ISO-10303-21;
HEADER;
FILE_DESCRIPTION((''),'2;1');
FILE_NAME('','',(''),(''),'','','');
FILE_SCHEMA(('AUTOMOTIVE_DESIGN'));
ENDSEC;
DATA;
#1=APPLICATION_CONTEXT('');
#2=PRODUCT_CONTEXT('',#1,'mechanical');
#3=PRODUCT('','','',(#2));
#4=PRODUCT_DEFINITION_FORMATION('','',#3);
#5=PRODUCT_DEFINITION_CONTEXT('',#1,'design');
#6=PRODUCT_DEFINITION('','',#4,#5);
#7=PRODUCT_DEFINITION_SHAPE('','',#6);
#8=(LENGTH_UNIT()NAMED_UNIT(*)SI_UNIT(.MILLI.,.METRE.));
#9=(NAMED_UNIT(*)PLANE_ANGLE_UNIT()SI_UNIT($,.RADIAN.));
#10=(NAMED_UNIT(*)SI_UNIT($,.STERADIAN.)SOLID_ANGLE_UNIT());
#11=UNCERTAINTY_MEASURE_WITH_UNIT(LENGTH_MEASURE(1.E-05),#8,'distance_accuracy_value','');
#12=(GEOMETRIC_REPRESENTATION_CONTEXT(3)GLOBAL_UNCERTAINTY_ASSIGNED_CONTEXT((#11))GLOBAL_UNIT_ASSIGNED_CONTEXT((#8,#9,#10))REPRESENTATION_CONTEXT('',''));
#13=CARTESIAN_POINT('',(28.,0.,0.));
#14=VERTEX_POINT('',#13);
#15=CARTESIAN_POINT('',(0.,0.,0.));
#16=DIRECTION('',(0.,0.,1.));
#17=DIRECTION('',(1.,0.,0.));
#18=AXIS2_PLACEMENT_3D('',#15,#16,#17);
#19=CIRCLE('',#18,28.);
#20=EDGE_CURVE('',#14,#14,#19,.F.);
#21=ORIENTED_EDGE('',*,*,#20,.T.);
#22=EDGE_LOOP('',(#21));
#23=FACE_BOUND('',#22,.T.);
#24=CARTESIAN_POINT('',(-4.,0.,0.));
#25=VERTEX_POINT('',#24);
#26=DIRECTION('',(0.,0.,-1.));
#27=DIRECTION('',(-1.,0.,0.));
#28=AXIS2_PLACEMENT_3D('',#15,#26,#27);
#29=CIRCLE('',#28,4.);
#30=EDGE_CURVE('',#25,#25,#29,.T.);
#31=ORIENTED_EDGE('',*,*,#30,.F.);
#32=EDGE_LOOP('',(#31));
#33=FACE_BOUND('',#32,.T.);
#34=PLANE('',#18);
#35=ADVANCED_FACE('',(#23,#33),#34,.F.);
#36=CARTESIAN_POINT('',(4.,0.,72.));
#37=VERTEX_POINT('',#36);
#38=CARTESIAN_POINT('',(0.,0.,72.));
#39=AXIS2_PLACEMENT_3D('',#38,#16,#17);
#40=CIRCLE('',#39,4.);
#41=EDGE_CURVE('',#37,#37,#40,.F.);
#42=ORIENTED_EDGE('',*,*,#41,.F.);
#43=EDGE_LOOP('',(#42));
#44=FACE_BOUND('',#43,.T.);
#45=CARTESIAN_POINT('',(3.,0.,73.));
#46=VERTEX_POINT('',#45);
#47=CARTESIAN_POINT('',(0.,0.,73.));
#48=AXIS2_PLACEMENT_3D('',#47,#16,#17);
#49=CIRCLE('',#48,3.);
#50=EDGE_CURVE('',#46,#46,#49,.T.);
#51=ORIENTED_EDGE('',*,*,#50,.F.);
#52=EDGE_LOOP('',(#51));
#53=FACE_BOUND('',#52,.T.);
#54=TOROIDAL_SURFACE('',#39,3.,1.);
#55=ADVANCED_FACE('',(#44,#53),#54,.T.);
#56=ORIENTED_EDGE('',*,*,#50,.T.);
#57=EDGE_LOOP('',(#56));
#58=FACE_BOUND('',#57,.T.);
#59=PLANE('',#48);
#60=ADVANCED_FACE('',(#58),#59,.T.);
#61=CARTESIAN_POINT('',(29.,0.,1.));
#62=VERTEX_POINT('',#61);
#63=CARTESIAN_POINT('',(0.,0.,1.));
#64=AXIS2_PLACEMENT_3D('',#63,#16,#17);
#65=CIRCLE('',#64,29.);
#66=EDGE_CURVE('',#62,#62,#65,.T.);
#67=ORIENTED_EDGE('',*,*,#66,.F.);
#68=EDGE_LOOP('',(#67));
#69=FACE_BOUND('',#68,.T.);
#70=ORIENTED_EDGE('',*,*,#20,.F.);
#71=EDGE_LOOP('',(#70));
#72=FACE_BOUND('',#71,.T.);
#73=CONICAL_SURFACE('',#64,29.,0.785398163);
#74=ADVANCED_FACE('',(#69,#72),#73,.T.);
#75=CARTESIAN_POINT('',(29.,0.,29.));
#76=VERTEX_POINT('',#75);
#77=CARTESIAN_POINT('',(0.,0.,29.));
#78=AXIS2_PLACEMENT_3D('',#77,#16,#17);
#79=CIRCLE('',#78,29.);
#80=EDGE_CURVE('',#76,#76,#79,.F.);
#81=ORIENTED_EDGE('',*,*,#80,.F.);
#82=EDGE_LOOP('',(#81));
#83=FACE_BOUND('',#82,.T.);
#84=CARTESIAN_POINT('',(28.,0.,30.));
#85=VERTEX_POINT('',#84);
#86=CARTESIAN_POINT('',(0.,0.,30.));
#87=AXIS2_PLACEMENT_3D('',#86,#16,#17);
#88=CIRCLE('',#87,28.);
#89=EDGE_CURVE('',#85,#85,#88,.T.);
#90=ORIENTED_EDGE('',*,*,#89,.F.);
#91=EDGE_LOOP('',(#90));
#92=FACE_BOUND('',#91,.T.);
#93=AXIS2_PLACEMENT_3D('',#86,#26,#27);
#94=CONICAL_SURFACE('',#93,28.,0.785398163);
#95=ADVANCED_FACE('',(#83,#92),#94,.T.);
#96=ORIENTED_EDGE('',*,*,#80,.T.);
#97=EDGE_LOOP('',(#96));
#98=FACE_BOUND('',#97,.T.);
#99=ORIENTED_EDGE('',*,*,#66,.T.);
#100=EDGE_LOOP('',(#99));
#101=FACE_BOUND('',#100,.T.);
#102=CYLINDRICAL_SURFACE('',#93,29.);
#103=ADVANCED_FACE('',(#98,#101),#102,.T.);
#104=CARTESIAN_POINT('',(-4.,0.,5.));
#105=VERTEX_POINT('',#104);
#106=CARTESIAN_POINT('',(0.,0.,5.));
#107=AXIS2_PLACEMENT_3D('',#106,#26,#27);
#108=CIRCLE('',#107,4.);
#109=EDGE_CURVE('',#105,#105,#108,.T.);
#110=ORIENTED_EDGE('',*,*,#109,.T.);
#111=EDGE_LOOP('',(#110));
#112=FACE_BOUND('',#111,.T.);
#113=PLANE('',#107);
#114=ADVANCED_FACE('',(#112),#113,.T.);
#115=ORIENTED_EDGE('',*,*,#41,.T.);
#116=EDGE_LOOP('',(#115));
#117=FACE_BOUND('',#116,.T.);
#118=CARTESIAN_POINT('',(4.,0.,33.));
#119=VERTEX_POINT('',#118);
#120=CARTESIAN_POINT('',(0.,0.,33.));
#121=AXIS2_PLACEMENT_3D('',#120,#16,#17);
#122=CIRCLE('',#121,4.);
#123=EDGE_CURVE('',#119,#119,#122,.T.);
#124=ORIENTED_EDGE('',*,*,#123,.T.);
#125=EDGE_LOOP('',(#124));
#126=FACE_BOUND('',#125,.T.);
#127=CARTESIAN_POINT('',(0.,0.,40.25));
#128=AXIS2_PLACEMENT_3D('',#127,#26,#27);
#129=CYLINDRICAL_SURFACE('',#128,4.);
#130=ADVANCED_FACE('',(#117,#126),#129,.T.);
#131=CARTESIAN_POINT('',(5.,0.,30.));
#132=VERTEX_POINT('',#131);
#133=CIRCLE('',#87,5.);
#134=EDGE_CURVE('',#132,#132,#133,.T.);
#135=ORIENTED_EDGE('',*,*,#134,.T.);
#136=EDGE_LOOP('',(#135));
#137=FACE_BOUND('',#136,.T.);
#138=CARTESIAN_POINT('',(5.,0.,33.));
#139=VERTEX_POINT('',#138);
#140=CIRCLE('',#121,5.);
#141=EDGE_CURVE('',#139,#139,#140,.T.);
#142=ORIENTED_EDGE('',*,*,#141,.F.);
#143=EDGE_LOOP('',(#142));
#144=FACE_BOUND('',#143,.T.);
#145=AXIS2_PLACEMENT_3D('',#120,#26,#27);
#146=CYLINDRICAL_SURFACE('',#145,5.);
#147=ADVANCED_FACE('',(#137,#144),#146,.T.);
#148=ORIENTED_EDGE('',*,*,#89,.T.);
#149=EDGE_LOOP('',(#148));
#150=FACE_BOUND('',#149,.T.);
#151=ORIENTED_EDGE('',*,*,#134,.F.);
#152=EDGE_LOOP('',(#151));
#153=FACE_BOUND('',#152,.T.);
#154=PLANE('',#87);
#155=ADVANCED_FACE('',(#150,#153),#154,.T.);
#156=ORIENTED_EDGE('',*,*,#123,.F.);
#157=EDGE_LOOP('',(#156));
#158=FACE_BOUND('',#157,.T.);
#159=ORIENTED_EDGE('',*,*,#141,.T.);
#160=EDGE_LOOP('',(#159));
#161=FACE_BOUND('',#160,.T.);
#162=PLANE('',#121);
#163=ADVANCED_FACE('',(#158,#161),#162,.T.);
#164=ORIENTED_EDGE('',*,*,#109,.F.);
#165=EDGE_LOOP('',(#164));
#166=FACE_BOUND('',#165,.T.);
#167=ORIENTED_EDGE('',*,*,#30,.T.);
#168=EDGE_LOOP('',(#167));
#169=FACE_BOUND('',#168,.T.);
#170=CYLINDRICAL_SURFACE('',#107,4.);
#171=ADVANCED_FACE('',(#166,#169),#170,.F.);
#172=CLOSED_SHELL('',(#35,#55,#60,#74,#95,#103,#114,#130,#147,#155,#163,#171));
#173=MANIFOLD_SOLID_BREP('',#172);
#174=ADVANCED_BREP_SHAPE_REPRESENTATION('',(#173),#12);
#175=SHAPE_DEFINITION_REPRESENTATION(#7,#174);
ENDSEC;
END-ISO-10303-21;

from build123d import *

# Parameters (mm, degrees)
ESQUISSE1_R             = 29
BOSS_EXTRU_1_DEPTH      = 30
ESQUISSE2_R             = 4
BOSS_EXTRU_2_DEPTH      = 10.25
ESQUISSE3_R             = 5
BOSS_EXTRU_3_DEPTH      = 3
ESQUISSE4_R             = 4
ENL_V_MAT_EXTRU_1_DEPTH = 5
CHANFREIN1_SIZE         = 1
ESQUISSE8_R             = 4
BOSS_EXTRU_4_DEPTH      = 32.75
CONG_1_R                = 1


with BuildPart() as part:
    # Esquisse1 → Boss.-Extru.1 (new body)
    with BuildSketch(Plane.XY):
        Circle(ESQUISSE1_R)
    extrude(amount=BOSS_EXTRU_1_DEPTH)

    # Esquisse2 → Boss.-Extru.2 (add)
    with BuildSketch(Plane.XY.offset(30)):
        Circle(ESQUISSE2_R)
    extrude(amount=BOSS_EXTRU_2_DEPTH)

    # Esquisse3 → Boss.-Extru.3 (add)
    with BuildSketch(Plane.XY.offset(30)):
        Circle(ESQUISSE3_R)
    extrude(amount=BOSS_EXTRU_3_DEPTH)

    # Esquisse4 → Enlèv. mat.-Extru.1 (cut)
    with BuildSketch(Plane(origin=(0, 0, 0), x_dir=(-1, 0, 0), z_dir=(0, 0, -1))):
        with Locations(Location((0, 0, 0), (0, 0, 180))):
            Circle(ESQUISSE4_R)
    extrude(amount=-ENL_V_MAT_EXTRU_1_DEPTH, mode=Mode.SUBTRACT)

    # Chanfrein1
    chanfrein1_edges = [part.edges().sort_by_distance(p)[0] for p in [
        (-29, 0, 0),
        (-29, 0, 30),
    ]]
    chamfer(chanfrein1_edges, length=CHANFREIN1_SIZE)

    # Esquisse8 → Boss.-Extru.4 (add)
    with BuildSketch(Plane.XY.offset(40.25)):
        Circle(ESQUISSE8_R)
    extrude(amount=BOSS_EXTRU_4_DEPTH)

    # Congé1
    cong_1_edges = [part.edges().sort_by_distance(p)[0] for p in [
        (-4, 0, 73),
    ]]
    fillet(cong_1_edges, radius=CONG_1_R)


solid = part.part
